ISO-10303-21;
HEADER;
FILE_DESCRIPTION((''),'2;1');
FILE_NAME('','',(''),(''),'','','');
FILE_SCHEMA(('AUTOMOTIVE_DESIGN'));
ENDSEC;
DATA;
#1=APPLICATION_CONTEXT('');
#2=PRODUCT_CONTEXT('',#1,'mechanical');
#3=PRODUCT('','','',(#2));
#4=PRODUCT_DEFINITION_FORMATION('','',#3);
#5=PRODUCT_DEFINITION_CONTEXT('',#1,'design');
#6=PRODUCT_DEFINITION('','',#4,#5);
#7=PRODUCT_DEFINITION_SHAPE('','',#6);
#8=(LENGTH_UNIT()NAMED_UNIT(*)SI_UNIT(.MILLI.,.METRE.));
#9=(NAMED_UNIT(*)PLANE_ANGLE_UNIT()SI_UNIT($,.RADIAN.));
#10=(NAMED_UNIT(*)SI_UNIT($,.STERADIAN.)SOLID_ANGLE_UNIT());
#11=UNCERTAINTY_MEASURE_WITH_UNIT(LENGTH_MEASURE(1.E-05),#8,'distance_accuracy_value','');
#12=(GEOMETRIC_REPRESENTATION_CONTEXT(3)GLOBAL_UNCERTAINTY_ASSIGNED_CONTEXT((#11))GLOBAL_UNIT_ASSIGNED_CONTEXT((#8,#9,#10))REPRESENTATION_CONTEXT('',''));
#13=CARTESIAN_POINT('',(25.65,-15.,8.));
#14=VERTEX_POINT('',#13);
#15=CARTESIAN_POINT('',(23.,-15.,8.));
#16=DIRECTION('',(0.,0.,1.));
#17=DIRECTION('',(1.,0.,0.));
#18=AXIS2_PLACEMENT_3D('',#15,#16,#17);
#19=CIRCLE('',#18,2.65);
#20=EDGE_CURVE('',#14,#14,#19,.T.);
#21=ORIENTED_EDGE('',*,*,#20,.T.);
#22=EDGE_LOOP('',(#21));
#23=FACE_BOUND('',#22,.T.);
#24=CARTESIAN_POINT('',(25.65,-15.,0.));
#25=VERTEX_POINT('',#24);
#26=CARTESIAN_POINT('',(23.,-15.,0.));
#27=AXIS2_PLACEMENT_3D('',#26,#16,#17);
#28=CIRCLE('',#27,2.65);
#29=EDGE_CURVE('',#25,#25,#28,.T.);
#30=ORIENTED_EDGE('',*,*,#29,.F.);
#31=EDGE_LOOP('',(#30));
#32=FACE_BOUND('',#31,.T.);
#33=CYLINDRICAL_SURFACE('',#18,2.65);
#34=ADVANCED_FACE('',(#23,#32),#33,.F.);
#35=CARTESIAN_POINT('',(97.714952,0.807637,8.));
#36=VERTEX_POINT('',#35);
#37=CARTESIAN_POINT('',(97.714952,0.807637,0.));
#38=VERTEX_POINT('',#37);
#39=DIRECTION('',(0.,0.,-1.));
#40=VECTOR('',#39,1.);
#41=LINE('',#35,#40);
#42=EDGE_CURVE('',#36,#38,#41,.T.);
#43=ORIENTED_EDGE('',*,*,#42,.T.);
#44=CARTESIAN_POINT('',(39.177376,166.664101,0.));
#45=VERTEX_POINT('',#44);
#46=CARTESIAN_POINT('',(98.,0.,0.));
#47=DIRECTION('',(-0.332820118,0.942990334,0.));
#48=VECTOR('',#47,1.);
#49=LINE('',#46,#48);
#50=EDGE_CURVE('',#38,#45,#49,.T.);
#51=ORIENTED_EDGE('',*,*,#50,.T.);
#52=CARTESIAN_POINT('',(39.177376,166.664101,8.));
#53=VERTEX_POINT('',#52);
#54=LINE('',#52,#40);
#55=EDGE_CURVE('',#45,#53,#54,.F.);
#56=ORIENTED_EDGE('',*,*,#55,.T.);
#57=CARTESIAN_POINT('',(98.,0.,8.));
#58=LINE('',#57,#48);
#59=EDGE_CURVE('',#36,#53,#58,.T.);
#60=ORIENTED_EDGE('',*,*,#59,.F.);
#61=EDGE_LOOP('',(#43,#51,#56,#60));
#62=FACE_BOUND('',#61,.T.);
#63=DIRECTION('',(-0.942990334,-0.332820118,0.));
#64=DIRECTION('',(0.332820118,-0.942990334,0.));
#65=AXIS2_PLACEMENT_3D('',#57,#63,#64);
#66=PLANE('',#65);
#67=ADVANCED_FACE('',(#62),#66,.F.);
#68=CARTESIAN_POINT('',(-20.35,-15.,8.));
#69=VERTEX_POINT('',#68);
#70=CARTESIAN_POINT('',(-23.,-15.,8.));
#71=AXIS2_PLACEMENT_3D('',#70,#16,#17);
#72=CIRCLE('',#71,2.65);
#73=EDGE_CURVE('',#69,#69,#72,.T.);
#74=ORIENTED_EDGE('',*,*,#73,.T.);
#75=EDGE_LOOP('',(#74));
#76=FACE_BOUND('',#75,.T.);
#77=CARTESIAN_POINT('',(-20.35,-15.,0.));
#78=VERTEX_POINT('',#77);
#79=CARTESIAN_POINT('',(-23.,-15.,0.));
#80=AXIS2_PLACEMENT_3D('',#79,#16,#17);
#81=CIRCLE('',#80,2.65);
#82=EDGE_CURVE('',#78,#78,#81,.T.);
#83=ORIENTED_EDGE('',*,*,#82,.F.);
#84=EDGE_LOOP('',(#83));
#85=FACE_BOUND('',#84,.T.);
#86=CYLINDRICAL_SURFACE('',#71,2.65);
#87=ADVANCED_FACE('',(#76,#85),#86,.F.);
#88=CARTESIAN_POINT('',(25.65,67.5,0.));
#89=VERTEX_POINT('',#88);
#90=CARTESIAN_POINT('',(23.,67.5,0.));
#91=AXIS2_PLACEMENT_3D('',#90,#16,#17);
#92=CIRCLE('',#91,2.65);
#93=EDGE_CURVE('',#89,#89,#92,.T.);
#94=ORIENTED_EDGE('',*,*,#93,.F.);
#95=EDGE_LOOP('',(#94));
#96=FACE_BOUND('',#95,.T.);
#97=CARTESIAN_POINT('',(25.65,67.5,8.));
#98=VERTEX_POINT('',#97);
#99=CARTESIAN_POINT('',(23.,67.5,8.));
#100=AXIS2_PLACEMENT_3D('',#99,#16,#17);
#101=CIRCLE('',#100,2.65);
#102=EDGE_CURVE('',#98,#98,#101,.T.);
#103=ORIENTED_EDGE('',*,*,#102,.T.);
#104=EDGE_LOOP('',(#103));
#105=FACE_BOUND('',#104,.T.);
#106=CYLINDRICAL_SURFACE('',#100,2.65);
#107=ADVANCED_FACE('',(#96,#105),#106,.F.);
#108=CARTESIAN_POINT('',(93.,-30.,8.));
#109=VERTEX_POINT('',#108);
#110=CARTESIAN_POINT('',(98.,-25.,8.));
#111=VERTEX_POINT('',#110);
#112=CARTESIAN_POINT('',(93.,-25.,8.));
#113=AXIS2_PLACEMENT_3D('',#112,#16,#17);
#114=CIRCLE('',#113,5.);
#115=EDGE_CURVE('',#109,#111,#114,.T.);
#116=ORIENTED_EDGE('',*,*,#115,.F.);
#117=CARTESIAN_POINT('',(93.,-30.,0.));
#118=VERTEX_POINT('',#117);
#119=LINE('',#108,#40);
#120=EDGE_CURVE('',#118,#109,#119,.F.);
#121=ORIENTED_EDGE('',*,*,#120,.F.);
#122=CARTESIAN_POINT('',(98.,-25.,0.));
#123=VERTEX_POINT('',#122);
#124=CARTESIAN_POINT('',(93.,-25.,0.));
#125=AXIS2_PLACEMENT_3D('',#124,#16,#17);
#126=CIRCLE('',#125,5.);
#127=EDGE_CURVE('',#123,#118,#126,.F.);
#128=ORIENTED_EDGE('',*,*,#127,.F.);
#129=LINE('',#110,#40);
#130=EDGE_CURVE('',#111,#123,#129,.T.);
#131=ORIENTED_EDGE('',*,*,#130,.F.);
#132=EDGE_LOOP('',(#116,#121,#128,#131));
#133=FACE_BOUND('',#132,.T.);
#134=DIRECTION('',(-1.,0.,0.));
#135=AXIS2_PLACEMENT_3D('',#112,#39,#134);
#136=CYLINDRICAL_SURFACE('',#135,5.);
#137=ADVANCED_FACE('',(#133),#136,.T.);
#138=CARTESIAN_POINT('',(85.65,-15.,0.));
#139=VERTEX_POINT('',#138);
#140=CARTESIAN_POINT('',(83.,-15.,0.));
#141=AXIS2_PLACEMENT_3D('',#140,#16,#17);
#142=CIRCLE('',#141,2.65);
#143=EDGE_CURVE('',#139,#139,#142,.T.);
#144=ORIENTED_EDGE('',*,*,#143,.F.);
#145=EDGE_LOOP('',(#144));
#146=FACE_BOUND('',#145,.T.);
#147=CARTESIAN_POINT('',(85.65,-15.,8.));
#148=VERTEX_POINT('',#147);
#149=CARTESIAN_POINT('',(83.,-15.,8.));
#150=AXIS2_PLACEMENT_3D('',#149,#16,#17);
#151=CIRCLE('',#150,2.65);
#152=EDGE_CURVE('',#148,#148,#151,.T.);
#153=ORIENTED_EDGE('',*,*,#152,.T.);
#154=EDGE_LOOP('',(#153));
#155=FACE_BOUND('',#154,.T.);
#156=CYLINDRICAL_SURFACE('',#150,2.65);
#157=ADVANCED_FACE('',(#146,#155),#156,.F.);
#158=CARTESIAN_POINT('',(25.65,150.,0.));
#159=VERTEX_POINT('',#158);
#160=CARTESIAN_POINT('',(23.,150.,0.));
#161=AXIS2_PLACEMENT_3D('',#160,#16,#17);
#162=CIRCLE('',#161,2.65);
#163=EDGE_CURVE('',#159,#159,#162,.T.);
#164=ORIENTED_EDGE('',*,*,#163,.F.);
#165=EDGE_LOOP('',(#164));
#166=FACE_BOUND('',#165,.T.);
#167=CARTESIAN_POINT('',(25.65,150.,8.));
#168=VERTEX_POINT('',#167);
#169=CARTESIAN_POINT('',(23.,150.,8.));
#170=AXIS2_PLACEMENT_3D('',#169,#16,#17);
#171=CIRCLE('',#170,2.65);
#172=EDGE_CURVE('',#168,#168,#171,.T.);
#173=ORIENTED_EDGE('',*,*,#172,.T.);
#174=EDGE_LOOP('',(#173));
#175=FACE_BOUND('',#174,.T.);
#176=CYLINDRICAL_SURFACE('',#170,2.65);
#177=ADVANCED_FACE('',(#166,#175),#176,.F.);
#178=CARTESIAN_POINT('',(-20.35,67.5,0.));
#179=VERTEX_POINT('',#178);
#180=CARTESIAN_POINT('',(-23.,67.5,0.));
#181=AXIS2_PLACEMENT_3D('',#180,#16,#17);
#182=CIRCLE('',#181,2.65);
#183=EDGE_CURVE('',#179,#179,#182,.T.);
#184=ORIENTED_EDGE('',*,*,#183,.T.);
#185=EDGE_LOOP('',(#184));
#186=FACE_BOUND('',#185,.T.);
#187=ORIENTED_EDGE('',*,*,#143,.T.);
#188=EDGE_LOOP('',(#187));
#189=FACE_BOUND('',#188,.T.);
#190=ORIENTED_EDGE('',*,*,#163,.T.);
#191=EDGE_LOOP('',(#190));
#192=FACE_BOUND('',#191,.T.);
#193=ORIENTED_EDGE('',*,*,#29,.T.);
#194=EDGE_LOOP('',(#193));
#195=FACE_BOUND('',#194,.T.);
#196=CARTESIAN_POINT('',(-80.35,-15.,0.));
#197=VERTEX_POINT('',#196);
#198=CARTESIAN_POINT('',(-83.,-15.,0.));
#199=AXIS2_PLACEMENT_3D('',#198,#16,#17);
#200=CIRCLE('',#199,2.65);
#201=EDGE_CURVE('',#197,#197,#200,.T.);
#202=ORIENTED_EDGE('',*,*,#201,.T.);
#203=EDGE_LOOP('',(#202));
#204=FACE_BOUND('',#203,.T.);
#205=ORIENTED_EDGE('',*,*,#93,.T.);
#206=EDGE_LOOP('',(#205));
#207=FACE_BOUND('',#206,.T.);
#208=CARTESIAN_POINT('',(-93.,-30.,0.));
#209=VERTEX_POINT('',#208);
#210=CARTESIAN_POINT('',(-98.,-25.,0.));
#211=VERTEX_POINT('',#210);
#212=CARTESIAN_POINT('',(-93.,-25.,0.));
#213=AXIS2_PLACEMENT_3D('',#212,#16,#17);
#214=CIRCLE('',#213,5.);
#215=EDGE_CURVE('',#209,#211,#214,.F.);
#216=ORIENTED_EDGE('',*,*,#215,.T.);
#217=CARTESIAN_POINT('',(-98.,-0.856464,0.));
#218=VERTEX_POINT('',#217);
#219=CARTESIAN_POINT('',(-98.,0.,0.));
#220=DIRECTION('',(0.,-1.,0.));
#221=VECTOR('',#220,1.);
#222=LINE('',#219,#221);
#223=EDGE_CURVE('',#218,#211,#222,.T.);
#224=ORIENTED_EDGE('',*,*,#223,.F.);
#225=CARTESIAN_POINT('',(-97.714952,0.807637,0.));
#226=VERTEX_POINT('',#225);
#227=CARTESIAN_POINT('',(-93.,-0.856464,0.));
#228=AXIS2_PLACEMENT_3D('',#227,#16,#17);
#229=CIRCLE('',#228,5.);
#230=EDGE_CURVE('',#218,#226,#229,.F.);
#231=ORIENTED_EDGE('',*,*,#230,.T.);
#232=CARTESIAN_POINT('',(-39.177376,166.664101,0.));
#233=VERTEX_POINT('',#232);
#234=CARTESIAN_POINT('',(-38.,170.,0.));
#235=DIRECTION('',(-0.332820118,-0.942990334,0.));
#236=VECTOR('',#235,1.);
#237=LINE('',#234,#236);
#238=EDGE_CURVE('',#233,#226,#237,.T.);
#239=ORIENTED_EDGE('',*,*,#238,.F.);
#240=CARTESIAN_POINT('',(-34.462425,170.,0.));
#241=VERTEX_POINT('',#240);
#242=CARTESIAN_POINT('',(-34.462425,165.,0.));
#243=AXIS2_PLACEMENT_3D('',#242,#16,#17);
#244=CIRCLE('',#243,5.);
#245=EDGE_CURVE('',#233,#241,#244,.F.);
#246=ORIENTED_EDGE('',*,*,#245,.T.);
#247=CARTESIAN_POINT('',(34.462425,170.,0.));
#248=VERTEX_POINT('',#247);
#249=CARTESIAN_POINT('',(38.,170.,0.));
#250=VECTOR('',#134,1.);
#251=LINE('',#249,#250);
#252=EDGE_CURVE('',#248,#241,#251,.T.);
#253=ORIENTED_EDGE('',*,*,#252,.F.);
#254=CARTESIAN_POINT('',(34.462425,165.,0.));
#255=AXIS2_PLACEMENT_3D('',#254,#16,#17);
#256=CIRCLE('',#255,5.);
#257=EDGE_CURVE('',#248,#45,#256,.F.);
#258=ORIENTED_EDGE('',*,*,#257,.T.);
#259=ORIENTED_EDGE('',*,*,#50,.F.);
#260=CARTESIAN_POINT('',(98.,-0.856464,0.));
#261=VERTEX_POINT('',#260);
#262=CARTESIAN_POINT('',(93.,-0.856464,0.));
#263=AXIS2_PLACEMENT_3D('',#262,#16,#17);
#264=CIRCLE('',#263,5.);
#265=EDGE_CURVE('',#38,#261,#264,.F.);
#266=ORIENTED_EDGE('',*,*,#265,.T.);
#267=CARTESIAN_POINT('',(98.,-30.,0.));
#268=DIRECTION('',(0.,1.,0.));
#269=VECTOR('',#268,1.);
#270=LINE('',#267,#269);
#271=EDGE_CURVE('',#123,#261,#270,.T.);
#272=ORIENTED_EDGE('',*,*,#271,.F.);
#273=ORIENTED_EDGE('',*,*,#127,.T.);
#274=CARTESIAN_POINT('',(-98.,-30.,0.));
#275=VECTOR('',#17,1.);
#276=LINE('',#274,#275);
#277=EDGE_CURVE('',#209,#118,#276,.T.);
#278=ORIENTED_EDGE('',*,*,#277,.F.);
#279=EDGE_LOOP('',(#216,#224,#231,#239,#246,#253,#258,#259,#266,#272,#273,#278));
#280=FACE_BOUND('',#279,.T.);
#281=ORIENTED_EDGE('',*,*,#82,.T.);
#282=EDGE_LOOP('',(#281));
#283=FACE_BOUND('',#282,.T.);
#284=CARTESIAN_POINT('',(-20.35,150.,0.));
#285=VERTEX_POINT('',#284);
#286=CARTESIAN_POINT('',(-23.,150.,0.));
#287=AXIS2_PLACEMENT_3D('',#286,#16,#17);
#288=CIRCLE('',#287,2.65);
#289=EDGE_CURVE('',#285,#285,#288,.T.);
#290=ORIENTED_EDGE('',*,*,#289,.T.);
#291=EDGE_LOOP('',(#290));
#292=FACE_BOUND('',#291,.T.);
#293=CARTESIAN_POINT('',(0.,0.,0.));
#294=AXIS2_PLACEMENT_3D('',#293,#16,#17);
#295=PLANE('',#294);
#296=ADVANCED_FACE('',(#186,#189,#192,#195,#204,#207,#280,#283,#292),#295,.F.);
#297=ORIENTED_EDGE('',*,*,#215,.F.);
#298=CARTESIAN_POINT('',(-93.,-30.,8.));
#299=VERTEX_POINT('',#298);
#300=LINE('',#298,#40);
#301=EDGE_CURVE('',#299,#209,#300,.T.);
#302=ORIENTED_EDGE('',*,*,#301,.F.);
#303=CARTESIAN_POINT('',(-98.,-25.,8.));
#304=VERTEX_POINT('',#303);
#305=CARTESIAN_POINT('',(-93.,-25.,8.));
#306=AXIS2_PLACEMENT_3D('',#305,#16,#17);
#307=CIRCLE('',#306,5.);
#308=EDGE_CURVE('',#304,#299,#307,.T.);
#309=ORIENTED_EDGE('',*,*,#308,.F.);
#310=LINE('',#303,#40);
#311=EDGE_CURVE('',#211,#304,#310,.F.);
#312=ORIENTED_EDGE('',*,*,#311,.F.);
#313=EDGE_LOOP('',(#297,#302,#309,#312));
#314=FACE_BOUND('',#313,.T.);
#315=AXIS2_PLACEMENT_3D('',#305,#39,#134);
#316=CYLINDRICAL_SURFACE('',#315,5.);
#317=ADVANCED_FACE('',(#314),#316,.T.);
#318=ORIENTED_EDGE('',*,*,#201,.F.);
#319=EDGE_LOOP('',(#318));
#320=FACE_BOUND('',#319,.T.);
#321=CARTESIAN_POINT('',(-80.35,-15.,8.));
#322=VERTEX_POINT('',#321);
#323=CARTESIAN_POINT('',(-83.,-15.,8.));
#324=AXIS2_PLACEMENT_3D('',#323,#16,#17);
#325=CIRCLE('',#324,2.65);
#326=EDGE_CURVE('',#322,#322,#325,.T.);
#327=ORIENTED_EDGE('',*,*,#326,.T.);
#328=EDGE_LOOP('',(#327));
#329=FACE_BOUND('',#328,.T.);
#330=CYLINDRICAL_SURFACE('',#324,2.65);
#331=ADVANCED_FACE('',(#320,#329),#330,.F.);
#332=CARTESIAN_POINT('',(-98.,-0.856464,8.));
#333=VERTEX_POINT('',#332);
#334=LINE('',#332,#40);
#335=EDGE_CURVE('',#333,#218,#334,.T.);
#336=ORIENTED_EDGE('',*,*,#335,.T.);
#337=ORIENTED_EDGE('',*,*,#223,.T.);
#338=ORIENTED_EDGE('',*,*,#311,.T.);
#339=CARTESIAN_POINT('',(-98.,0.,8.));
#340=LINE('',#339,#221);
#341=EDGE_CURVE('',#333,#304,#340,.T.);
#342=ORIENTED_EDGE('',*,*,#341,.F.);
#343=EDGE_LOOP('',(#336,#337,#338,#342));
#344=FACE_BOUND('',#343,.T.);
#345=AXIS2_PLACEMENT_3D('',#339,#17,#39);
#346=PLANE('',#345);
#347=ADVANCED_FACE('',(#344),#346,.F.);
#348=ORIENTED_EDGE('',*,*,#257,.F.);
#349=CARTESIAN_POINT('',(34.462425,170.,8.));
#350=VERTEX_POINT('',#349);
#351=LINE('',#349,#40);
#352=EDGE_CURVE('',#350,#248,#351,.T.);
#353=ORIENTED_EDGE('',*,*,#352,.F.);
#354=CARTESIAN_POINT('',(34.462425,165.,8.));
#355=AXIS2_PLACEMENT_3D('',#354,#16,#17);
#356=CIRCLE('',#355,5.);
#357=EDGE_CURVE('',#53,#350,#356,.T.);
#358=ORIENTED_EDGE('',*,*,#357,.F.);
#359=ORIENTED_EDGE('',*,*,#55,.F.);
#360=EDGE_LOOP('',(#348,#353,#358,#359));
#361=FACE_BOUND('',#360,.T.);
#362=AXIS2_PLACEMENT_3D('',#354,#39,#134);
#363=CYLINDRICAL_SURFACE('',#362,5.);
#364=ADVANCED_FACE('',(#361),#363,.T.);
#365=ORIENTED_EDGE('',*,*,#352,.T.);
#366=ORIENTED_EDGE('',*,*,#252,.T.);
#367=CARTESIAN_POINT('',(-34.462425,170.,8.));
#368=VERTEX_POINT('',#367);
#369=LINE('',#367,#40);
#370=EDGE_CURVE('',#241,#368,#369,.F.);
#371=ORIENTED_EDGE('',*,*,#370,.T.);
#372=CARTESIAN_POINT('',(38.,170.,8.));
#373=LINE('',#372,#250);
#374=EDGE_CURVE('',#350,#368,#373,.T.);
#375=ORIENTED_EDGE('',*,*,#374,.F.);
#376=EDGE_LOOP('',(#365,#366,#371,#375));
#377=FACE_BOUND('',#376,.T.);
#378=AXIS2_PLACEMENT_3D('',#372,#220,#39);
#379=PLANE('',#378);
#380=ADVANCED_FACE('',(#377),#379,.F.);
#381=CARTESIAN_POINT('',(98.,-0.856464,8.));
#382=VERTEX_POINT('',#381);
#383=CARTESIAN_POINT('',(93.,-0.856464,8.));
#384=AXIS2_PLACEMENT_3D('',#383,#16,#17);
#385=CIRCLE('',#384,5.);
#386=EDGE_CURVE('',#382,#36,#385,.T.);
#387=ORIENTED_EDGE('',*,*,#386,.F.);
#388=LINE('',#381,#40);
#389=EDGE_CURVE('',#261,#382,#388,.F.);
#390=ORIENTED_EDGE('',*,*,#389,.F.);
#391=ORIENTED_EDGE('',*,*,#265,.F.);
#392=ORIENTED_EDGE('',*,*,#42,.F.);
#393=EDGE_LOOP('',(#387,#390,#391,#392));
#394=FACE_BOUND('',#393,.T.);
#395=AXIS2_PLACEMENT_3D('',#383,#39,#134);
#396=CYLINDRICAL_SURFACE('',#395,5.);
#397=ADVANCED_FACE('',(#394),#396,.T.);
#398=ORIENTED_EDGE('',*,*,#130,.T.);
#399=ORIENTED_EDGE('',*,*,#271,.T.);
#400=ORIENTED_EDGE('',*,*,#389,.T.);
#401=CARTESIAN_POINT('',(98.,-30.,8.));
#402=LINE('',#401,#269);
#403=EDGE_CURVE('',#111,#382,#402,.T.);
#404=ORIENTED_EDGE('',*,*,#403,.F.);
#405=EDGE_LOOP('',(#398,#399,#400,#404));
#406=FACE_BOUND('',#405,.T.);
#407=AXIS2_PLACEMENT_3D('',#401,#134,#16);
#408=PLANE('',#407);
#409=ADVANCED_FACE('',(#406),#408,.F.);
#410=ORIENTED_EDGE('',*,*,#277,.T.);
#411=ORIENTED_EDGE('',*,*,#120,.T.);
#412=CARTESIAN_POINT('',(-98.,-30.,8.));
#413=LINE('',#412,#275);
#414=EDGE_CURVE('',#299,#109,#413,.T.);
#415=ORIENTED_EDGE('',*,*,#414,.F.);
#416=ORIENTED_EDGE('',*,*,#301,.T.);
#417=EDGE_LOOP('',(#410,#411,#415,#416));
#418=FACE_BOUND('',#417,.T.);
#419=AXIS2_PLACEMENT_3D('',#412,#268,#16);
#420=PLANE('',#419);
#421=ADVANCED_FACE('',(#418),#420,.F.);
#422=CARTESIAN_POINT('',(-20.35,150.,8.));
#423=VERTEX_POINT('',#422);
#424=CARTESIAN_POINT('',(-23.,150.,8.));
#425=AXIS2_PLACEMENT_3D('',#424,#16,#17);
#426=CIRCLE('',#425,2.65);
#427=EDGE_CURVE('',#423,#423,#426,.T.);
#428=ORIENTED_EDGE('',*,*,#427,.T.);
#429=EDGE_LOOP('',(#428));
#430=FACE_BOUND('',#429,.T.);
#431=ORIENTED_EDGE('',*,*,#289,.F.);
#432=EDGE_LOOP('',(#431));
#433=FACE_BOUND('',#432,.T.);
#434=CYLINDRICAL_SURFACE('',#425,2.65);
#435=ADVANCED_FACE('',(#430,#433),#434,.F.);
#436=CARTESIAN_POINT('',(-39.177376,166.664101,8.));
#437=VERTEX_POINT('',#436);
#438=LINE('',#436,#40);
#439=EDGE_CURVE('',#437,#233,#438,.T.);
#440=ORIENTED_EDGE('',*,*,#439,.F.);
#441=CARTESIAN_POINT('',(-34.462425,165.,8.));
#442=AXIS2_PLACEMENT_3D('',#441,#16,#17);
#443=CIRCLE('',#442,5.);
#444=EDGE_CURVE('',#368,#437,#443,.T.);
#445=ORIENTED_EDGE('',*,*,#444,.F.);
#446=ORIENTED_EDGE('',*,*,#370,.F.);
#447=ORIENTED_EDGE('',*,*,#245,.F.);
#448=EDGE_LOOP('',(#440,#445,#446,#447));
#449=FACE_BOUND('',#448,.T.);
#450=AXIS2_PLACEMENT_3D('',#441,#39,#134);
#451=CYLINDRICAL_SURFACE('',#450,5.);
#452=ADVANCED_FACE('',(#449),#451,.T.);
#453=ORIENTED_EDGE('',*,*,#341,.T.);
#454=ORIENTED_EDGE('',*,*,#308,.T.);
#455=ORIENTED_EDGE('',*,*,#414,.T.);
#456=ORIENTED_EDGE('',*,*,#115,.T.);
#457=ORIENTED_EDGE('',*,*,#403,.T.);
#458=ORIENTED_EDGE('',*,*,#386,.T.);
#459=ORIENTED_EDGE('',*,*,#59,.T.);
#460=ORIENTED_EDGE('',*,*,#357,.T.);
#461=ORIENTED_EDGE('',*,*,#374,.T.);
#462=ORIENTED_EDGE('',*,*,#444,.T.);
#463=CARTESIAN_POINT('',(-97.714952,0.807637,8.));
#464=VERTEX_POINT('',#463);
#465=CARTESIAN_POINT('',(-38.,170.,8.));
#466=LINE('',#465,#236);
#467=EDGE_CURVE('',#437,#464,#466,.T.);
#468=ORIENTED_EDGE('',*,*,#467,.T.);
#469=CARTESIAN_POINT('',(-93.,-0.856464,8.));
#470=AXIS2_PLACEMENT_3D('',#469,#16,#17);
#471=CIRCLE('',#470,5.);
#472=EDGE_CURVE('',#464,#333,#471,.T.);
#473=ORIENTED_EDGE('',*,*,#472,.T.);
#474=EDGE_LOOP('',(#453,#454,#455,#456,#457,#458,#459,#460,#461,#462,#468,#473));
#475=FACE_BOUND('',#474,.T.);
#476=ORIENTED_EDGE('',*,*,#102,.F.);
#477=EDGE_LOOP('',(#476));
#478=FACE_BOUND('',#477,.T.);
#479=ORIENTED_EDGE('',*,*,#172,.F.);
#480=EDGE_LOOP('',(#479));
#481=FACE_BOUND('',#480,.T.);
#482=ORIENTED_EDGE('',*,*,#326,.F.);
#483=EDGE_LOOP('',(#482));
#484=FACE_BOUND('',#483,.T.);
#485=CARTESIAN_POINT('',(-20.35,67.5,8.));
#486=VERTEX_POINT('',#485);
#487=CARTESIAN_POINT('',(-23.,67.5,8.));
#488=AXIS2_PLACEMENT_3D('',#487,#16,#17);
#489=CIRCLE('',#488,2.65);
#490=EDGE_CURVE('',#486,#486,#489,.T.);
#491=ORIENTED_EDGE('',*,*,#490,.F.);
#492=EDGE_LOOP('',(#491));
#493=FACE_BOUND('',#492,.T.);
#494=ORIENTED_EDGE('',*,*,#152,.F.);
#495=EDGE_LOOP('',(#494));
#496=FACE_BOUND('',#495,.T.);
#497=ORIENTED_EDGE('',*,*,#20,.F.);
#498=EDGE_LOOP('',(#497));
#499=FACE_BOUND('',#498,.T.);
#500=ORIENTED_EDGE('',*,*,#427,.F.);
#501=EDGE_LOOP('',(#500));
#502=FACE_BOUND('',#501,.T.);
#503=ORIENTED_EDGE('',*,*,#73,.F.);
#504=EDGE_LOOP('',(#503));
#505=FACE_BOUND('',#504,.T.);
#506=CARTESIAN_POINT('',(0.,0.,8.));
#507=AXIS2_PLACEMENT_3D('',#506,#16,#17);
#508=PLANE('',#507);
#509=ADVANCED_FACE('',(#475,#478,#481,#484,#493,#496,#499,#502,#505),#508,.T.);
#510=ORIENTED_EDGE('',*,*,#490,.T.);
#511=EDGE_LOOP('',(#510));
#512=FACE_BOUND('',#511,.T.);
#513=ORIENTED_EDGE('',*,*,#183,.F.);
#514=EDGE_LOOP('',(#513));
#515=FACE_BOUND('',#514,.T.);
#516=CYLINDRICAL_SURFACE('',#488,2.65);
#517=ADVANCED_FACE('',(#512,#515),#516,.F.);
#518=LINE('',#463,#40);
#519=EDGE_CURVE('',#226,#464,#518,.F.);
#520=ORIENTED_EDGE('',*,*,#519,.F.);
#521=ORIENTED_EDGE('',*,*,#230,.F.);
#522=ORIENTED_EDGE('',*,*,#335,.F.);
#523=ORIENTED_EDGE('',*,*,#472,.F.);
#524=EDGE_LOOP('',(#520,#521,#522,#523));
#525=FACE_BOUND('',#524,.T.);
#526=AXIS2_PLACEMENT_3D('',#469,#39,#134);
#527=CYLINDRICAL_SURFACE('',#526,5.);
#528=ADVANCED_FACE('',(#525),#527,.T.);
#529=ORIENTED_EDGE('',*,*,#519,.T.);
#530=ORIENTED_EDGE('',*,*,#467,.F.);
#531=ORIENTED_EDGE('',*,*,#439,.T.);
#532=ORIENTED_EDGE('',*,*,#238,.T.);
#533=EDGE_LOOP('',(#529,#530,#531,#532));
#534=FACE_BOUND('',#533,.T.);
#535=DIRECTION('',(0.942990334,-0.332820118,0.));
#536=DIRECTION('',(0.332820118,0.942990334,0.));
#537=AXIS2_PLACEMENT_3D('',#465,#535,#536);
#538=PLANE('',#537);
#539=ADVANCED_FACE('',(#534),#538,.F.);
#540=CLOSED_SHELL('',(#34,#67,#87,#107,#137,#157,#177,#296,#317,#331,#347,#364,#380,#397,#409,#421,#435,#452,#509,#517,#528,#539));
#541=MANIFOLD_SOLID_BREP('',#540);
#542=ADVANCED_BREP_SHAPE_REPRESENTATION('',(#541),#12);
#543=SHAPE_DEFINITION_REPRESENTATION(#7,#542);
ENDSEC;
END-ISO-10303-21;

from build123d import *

# Parameters (mm, degrees)
BOSS_EXTRUDE1_DEPTH  = 8
M5_CLEARANCE_HOLE1_D = 5.3
FILLET1_R            = 5


with BuildPart() as part:
    # Sketch1 → Boss-Extrude1 (new body)
    with BuildSketch(Plane.XY):
        Polygon((-98, -30), (98, -30), (98, 0), (38, 170), (-38, 170), (-98, 0), align=None)
    extrude(amount=BOSS_EXTRUDE1_DEPTH)

    # M5 Clearance Hole1 (through all)
    with Locations(Plane.XY.offset(8)):
        with Locations((-23, 150), (-23, 67.5), (-23, -15), (23, -15), (23, 150), (23, 67.5), (-83, -15), (83, -15)):
            Hole(M5_CLEARANCE_HOLE1_D / 2)

    # Fillet1
    fillet1_edges = [part.edges().sort_by_distance(p)[0] for p in [
        (-98, 0, 4),
        (-38, 170, 4),
        (38, 170, 4),
        (98, 0, 4),
        (98, -30, 4),
        (-98, -30, 4),
    ]]
    fillet(fillet1_edges, radius=FILLET1_R)


solid = part.part
